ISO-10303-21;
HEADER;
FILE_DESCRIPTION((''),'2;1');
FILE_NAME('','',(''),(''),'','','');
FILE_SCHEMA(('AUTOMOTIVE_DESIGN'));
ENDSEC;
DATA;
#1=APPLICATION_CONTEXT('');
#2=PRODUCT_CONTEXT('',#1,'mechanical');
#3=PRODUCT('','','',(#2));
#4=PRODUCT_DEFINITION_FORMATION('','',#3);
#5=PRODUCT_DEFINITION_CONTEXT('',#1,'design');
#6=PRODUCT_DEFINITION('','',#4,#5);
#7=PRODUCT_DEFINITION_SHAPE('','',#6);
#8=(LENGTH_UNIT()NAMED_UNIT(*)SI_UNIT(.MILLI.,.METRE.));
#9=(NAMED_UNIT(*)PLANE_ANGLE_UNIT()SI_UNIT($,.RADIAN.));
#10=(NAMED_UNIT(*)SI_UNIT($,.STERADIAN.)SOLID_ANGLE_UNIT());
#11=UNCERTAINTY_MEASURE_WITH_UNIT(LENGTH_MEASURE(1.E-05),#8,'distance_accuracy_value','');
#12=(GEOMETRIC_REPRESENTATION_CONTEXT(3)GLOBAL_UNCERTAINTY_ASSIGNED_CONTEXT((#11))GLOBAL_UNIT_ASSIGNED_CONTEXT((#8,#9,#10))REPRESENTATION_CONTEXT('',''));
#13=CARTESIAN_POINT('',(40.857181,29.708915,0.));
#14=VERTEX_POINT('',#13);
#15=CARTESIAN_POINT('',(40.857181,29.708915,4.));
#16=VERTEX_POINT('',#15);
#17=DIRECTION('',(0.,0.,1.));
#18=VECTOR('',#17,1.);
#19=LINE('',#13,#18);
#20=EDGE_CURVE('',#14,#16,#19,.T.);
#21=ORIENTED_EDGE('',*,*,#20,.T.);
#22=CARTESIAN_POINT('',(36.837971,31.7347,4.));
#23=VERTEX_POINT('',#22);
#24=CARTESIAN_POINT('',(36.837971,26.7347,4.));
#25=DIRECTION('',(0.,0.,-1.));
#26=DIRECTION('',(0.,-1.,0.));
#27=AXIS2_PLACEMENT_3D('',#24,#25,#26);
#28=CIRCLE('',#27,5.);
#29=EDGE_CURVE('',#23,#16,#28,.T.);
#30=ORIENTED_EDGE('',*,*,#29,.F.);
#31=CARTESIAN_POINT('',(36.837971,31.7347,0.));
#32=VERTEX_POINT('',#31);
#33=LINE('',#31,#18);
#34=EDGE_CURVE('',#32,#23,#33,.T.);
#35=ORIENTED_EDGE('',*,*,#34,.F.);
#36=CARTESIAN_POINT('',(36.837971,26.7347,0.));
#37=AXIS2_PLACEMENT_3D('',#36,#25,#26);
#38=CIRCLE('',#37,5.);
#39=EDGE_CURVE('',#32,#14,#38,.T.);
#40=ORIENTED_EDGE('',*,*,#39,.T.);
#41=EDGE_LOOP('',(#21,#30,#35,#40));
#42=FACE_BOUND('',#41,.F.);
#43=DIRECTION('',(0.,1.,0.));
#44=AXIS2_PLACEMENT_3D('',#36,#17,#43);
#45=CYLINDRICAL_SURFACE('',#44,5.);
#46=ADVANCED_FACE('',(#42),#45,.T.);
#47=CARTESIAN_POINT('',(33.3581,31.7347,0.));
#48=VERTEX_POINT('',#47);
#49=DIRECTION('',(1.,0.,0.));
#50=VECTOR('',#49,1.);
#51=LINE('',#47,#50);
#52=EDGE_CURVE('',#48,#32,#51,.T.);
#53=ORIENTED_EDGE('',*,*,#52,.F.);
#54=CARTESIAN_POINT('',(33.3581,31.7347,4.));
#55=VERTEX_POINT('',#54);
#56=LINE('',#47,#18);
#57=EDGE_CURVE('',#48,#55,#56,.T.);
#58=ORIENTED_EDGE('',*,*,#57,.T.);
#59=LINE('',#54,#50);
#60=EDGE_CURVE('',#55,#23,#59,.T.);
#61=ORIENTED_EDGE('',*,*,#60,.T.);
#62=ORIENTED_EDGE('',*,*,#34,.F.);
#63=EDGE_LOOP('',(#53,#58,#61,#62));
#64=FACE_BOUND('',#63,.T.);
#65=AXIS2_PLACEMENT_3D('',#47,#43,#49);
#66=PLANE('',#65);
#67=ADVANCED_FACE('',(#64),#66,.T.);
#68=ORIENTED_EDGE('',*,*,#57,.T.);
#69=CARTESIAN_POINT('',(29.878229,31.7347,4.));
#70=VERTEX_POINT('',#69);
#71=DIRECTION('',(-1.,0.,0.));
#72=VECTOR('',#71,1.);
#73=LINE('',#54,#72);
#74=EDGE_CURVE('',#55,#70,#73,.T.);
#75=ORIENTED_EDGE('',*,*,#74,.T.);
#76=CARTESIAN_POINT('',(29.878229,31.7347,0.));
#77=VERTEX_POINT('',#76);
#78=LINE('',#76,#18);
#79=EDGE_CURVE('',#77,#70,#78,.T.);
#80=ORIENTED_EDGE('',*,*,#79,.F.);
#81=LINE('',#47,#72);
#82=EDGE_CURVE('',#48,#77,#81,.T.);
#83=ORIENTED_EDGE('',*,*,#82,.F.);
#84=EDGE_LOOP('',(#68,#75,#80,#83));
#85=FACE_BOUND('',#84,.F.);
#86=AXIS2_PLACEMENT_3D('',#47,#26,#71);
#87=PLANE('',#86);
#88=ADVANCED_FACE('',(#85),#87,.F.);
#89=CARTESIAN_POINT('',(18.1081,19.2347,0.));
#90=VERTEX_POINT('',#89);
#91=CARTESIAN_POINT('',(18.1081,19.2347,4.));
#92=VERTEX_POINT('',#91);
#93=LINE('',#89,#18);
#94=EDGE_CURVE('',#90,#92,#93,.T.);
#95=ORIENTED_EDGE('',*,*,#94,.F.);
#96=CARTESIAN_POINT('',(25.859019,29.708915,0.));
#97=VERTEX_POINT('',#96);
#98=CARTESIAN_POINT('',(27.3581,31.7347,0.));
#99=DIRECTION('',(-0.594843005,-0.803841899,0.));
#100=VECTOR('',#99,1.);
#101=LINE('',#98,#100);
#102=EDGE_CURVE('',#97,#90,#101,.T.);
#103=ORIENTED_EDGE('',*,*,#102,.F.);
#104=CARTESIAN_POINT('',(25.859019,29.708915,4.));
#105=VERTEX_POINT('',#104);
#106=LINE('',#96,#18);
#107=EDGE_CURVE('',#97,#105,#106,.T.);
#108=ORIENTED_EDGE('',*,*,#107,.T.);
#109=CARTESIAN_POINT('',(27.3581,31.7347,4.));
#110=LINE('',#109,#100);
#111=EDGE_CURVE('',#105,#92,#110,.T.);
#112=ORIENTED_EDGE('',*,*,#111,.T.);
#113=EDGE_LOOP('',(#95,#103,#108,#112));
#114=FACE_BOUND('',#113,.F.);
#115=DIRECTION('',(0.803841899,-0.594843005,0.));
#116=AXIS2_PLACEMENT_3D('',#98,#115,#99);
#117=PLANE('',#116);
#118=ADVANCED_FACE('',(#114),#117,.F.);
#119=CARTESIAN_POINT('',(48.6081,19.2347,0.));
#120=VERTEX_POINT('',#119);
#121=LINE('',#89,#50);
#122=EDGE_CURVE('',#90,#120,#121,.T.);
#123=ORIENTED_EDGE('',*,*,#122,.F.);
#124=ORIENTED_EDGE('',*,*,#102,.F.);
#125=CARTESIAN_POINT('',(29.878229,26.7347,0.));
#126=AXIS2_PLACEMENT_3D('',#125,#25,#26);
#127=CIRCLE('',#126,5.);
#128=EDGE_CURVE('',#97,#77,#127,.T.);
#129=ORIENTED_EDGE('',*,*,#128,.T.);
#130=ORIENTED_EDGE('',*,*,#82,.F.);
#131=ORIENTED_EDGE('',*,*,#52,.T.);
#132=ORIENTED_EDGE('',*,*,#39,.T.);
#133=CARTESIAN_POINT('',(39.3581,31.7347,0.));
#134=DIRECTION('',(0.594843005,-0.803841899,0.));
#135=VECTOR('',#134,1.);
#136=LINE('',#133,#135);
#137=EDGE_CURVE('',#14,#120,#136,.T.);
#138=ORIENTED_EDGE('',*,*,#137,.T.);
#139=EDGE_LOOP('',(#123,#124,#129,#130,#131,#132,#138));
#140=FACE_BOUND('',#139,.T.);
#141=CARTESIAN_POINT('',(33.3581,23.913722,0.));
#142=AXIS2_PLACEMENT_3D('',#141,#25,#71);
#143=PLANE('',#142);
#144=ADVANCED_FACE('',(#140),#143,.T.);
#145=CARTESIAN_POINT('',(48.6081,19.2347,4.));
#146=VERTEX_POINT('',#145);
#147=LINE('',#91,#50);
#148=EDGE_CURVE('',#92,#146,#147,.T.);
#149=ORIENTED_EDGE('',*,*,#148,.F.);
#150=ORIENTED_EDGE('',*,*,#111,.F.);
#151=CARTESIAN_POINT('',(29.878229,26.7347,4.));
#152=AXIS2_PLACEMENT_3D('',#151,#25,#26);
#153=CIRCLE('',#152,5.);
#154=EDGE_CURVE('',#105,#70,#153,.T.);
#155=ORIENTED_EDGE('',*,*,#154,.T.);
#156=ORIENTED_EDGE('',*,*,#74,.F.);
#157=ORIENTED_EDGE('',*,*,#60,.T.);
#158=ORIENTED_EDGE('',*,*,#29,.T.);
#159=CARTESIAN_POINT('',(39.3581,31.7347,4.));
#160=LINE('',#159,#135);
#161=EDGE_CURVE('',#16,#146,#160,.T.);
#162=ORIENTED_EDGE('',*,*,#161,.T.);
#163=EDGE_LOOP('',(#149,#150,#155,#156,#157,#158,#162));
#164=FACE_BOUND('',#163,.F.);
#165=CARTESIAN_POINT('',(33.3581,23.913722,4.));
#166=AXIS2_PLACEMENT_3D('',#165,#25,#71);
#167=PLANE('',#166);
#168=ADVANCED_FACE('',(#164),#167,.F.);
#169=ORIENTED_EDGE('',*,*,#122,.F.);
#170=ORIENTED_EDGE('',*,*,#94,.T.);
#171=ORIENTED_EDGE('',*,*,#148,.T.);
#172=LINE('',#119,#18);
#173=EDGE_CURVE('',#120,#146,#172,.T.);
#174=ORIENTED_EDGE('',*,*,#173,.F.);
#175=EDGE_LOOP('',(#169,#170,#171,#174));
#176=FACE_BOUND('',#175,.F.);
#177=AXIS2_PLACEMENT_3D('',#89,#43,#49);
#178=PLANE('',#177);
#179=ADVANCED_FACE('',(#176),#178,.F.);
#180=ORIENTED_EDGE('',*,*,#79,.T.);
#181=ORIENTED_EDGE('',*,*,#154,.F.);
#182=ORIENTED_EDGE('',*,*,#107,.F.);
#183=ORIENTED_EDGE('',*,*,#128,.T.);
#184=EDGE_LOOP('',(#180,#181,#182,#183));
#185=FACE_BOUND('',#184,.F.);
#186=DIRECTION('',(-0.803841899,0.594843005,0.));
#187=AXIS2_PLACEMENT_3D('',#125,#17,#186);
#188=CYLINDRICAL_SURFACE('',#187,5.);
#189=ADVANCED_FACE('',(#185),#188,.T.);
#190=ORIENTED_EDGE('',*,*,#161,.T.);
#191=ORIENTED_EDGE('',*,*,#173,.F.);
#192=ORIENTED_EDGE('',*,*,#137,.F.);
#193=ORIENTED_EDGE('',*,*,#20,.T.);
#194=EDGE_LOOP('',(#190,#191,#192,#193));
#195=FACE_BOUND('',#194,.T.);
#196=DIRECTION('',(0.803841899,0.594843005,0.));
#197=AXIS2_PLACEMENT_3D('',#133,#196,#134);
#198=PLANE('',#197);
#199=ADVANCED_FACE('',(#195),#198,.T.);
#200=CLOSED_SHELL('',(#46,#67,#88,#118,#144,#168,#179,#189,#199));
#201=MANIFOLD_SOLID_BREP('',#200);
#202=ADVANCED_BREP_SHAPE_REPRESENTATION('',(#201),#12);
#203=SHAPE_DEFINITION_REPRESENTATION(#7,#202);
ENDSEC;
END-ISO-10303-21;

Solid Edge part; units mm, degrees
sketch "Sketch1" plane through (0, 0, 0) normal (0, 0, 1) x (1, 0, 0)
  line L0 (33.3581, 31.7347) -> (39.3581, 31.7347)
  line L1 (39.3581, 31.7347) -> (48.6081, 19.2347)
  line L2 (18.1081, 19.2347) -> (48.6081, 19.2347)
  line L3 (27.3581, 31.7347) -> (18.1081, 19.2347)
  line L4 (33.3581, 31.7347) -> (27.3581, 31.7347)
extrude "Protrusion1" add sketch "Sketch1" along normal blind 4
fillet "Redondo_1" radius 5 2 edges at (39.3581, 31.7347, 2) (27.3581, 31.7347, 2)
